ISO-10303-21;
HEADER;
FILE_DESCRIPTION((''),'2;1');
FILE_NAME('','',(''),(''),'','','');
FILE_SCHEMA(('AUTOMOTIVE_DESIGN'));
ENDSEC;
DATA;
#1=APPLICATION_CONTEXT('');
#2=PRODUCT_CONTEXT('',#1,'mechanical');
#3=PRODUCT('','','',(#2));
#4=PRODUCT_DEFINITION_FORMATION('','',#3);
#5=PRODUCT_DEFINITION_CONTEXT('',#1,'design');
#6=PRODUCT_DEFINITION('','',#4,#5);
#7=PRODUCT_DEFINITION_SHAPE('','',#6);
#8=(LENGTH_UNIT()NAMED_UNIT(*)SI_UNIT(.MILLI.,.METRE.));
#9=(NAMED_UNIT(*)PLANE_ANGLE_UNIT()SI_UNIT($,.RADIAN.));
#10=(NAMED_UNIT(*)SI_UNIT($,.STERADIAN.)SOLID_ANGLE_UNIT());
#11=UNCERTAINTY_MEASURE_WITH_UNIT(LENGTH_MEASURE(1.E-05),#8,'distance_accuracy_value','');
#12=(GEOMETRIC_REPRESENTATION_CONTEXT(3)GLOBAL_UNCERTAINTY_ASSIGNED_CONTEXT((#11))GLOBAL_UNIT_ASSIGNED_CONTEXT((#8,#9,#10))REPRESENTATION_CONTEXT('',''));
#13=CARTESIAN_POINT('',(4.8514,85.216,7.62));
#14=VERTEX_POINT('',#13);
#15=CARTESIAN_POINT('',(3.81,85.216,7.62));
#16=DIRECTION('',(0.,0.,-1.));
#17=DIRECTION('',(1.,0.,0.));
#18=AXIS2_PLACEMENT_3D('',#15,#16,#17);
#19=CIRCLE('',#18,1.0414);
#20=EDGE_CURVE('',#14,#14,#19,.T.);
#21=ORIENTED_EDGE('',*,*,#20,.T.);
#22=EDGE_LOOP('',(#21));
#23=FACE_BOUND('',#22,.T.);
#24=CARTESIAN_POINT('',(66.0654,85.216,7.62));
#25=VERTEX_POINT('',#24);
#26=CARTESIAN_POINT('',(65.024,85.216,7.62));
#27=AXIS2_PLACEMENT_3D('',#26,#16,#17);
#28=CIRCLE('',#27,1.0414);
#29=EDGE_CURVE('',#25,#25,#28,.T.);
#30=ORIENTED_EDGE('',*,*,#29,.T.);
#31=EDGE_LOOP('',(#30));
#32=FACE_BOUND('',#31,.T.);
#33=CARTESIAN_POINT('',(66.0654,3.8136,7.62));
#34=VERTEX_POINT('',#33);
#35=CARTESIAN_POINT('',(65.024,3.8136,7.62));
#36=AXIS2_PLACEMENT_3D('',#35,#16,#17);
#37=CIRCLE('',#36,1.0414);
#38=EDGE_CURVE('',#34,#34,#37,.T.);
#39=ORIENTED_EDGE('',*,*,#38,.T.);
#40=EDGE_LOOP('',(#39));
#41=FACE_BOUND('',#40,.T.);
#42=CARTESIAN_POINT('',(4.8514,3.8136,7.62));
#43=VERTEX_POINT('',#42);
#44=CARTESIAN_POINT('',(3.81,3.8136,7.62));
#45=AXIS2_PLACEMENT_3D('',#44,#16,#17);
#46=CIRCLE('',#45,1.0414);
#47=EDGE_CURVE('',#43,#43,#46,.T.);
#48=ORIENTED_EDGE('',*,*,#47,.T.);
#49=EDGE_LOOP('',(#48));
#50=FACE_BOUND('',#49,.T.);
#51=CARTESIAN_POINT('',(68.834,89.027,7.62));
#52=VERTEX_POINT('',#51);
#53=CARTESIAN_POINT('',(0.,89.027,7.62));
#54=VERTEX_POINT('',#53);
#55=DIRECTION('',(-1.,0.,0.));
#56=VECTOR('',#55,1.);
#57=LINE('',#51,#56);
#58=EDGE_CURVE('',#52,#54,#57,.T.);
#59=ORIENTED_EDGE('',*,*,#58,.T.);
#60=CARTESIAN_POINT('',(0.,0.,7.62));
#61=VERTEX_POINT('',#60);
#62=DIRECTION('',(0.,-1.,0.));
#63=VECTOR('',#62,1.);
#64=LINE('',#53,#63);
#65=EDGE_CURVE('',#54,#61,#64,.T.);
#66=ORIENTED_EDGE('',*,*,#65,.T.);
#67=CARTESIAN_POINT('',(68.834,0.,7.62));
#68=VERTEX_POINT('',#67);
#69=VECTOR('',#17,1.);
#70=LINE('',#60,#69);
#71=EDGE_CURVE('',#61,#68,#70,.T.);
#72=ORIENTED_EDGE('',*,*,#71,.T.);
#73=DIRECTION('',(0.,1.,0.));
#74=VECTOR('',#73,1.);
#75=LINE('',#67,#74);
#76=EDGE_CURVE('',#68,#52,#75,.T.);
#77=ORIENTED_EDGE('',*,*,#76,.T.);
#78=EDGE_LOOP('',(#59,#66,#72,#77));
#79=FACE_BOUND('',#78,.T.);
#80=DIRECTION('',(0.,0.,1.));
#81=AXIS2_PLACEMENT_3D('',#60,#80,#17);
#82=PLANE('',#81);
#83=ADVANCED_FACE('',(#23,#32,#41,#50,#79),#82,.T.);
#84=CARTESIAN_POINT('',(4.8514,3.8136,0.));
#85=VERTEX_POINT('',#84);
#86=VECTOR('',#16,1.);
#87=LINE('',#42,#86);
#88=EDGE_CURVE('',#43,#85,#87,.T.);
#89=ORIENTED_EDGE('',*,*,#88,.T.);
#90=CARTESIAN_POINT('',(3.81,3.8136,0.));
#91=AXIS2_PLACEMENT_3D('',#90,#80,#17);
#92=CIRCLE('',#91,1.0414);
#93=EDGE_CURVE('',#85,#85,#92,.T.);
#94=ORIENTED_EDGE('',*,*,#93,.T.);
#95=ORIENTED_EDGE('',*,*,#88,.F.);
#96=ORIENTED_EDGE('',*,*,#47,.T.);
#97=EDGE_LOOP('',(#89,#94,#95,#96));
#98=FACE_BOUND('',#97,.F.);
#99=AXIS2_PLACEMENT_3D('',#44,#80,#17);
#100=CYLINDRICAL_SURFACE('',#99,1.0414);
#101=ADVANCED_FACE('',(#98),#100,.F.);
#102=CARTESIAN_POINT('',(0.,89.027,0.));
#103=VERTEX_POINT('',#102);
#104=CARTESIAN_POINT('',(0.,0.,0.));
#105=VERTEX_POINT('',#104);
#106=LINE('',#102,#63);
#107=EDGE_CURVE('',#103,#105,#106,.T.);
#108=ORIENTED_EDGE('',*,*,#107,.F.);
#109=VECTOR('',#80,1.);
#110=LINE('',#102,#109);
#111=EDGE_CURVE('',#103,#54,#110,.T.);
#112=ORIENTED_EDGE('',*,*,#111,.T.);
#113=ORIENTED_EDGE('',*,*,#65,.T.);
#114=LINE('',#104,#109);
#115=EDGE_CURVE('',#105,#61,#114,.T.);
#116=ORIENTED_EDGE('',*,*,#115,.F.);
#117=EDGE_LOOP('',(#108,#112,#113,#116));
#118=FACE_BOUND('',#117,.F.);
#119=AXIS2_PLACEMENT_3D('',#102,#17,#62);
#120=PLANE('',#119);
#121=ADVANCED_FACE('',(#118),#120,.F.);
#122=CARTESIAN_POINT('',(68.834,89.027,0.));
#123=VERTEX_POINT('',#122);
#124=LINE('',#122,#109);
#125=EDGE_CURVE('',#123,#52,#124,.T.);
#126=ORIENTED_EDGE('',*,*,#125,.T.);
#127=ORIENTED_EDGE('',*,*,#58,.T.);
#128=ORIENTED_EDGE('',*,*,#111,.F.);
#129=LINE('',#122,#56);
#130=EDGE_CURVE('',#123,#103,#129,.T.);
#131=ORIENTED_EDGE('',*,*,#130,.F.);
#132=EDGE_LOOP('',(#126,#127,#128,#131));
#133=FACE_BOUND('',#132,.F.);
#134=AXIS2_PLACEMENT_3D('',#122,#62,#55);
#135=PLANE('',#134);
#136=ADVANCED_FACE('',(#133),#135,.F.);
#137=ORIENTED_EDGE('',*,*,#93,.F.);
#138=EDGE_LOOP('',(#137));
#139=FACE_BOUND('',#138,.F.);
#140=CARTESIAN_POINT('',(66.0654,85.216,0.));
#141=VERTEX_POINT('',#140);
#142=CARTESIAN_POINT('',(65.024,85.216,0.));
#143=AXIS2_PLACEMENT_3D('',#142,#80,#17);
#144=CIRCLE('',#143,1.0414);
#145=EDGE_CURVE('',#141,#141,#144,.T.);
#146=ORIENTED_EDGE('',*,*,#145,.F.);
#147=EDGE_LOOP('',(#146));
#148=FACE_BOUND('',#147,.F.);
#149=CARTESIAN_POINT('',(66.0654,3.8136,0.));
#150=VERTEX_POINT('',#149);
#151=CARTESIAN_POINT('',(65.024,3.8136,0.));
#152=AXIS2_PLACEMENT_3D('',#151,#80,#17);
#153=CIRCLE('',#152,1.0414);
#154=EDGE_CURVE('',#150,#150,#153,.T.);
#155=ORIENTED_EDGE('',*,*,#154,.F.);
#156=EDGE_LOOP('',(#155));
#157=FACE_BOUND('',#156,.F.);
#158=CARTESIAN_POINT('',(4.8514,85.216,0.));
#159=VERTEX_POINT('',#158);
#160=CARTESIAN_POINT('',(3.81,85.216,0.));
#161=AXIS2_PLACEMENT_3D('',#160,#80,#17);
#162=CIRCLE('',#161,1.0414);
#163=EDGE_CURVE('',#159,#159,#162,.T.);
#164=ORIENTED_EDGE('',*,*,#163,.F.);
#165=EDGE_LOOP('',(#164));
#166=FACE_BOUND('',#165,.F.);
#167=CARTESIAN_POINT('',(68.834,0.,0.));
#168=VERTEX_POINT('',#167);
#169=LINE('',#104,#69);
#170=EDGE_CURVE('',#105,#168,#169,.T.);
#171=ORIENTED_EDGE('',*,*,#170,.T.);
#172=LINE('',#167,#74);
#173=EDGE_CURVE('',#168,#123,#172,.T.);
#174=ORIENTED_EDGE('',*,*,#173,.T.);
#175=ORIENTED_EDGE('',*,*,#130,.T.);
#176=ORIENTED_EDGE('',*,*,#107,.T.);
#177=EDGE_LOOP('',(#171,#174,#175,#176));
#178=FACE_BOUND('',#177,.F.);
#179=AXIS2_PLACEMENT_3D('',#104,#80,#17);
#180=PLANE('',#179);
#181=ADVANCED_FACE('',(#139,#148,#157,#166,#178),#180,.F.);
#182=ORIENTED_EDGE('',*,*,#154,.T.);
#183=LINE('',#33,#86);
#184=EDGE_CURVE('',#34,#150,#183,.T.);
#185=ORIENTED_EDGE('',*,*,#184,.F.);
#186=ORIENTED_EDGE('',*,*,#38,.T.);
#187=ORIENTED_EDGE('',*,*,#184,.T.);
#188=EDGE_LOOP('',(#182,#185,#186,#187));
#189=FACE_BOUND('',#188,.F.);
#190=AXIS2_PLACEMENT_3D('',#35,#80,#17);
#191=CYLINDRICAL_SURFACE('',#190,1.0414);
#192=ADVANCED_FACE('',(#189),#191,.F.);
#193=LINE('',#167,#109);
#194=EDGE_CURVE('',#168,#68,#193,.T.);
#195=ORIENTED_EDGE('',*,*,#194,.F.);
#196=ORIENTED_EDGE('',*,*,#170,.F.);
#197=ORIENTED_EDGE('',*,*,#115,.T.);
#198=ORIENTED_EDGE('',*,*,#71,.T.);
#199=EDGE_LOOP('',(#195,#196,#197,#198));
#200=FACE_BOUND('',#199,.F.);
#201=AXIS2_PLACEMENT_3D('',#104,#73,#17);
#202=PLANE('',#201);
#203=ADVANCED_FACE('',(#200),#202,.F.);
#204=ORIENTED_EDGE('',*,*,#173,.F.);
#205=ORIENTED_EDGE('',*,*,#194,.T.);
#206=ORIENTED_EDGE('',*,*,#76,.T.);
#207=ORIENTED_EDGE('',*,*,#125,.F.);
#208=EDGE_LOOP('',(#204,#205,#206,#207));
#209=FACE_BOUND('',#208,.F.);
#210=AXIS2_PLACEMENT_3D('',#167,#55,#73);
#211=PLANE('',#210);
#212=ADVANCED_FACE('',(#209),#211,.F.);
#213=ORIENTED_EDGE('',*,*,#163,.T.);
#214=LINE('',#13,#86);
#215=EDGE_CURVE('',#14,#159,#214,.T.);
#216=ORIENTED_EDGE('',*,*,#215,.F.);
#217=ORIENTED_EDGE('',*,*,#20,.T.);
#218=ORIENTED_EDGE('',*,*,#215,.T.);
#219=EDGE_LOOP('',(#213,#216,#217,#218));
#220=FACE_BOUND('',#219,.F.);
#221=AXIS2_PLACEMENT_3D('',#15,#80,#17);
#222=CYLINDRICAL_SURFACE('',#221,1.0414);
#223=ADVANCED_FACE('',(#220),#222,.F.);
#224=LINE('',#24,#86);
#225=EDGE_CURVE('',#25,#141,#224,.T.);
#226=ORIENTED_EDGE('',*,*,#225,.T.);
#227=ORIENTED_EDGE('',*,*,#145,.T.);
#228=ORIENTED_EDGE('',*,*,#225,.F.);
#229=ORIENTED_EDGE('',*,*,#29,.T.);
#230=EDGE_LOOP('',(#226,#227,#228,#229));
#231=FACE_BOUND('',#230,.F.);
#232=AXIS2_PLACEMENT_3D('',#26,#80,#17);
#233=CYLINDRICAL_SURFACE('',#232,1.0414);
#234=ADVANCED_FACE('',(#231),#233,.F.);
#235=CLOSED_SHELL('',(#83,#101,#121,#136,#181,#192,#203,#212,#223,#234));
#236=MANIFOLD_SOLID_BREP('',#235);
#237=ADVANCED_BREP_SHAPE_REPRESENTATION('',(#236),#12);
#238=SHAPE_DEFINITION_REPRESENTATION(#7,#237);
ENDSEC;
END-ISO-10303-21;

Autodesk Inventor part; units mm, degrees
ref_plane "YZ Plane" through (0, 0, 0) normal (1, 0, 0) x (0, 1, 0)
ref_plane "XZ Plane" through (0, 0, 0) normal (0, 1, 0) x (-1, 0, 0)
ref_plane "XY Plane" through (0, 0, 0) normal (0, 0, 1) x (1, 0, 0)
sketch "Sketch1" plane through (0, 0, 0) normal (0, 0, 1) x (1, 0, 0)
  line L0 (0, 0) -> (68.834, 0)
  line L1 (68.834, 0) -> (68.834, 89.027)
  line L2 (68.834, 89.027) -> (0, 89.027)
  line L3 (0, 89.027) -> (0, 0)
  dimension "d0" = 89.027
  dimension "d1" = 68.834
extrude "Extrusion1" add sketch "Sketch1" along normal blind 7.62
sketch "Sketch2" plane through (0, 0, 7.62) normal (0, 0, 1) x (1, 0, 0)
  line L0 (68.834, 89.027) -> (0, 89.027) projected
  line L1 (0, 89.027) -> (3.81, 89.027)
  line L2 (3.81, 89.027) -> (3.81, 85.216)
  line L3 (3.81, 85.216) -> (0, 85.216)
  line L4 (0, 85.216) -> (0, 89.027)
  circle A0 centre (3.81, 85.216) radius 1.0414
  line L5 (68.834, 89.027) -> (65.024, 89.027)
  line L6 (65.024, 89.027) -> (65.024, 85.216)
  line L7 (65.024, 85.216) -> (68.834, 85.216)
  line L8 (68.834, 85.216) -> (68.834, 89.027)
  circle A1 centre (65.024, 85.216) radius 1.0414
  line L9 (0, 0) -> (68.834, 0) projected
  line L10 (68.834, 0) -> (65.024, 0)
  line L11 (65.024, 0) -> (65.024, 3.8136)
  line L12 (65.024, 3.8136) -> (68.834, 3.8136)
  line L13 (68.834, 3.8136) -> (68.834, 0)
  circle A2 centre (65.024, 3.8136) radius 1.0414
  line L14 (0, 0) -> (3.81, 0)
  line L15 (3.81, 0) -> (3.81, 3.8136)
  line L16 (3.81, 3.8136) -> (0, 3.8136)
  line L17 (0, 3.8136) -> (0, 0)
  circle A3 centre (3.81, 3.8136) radius 1.0414
  dimension "d4" = 3.81
  dimension "d5" = 2.0828
  dimension "d6" = 3.81
  dimension "d7" = 2.0828
  dimension "d8" = 2.0828
  dimension "d9" = 2.0828
extrude "Extrusion2" cut sketch "Sketch2" against normal blind 7.62 contours A0 L3 L2 | L2 L3 A0
extrude "Extrusion3" cut sketch "Sketch2" against normal blind 7.62 contours A1 L7 L6 | L6 L7 A1
extrude "Extrusion4" cut sketch "Sketch2" against normal blind 7.62 contours A2 L12 L11 | L11 L12 A2
extrude "Extrusion5" cut sketch "Sketch2" against normal blind 7.62 contours A3 L16 L15 | L15 L16 A3
properties part number "arduinoCover"
